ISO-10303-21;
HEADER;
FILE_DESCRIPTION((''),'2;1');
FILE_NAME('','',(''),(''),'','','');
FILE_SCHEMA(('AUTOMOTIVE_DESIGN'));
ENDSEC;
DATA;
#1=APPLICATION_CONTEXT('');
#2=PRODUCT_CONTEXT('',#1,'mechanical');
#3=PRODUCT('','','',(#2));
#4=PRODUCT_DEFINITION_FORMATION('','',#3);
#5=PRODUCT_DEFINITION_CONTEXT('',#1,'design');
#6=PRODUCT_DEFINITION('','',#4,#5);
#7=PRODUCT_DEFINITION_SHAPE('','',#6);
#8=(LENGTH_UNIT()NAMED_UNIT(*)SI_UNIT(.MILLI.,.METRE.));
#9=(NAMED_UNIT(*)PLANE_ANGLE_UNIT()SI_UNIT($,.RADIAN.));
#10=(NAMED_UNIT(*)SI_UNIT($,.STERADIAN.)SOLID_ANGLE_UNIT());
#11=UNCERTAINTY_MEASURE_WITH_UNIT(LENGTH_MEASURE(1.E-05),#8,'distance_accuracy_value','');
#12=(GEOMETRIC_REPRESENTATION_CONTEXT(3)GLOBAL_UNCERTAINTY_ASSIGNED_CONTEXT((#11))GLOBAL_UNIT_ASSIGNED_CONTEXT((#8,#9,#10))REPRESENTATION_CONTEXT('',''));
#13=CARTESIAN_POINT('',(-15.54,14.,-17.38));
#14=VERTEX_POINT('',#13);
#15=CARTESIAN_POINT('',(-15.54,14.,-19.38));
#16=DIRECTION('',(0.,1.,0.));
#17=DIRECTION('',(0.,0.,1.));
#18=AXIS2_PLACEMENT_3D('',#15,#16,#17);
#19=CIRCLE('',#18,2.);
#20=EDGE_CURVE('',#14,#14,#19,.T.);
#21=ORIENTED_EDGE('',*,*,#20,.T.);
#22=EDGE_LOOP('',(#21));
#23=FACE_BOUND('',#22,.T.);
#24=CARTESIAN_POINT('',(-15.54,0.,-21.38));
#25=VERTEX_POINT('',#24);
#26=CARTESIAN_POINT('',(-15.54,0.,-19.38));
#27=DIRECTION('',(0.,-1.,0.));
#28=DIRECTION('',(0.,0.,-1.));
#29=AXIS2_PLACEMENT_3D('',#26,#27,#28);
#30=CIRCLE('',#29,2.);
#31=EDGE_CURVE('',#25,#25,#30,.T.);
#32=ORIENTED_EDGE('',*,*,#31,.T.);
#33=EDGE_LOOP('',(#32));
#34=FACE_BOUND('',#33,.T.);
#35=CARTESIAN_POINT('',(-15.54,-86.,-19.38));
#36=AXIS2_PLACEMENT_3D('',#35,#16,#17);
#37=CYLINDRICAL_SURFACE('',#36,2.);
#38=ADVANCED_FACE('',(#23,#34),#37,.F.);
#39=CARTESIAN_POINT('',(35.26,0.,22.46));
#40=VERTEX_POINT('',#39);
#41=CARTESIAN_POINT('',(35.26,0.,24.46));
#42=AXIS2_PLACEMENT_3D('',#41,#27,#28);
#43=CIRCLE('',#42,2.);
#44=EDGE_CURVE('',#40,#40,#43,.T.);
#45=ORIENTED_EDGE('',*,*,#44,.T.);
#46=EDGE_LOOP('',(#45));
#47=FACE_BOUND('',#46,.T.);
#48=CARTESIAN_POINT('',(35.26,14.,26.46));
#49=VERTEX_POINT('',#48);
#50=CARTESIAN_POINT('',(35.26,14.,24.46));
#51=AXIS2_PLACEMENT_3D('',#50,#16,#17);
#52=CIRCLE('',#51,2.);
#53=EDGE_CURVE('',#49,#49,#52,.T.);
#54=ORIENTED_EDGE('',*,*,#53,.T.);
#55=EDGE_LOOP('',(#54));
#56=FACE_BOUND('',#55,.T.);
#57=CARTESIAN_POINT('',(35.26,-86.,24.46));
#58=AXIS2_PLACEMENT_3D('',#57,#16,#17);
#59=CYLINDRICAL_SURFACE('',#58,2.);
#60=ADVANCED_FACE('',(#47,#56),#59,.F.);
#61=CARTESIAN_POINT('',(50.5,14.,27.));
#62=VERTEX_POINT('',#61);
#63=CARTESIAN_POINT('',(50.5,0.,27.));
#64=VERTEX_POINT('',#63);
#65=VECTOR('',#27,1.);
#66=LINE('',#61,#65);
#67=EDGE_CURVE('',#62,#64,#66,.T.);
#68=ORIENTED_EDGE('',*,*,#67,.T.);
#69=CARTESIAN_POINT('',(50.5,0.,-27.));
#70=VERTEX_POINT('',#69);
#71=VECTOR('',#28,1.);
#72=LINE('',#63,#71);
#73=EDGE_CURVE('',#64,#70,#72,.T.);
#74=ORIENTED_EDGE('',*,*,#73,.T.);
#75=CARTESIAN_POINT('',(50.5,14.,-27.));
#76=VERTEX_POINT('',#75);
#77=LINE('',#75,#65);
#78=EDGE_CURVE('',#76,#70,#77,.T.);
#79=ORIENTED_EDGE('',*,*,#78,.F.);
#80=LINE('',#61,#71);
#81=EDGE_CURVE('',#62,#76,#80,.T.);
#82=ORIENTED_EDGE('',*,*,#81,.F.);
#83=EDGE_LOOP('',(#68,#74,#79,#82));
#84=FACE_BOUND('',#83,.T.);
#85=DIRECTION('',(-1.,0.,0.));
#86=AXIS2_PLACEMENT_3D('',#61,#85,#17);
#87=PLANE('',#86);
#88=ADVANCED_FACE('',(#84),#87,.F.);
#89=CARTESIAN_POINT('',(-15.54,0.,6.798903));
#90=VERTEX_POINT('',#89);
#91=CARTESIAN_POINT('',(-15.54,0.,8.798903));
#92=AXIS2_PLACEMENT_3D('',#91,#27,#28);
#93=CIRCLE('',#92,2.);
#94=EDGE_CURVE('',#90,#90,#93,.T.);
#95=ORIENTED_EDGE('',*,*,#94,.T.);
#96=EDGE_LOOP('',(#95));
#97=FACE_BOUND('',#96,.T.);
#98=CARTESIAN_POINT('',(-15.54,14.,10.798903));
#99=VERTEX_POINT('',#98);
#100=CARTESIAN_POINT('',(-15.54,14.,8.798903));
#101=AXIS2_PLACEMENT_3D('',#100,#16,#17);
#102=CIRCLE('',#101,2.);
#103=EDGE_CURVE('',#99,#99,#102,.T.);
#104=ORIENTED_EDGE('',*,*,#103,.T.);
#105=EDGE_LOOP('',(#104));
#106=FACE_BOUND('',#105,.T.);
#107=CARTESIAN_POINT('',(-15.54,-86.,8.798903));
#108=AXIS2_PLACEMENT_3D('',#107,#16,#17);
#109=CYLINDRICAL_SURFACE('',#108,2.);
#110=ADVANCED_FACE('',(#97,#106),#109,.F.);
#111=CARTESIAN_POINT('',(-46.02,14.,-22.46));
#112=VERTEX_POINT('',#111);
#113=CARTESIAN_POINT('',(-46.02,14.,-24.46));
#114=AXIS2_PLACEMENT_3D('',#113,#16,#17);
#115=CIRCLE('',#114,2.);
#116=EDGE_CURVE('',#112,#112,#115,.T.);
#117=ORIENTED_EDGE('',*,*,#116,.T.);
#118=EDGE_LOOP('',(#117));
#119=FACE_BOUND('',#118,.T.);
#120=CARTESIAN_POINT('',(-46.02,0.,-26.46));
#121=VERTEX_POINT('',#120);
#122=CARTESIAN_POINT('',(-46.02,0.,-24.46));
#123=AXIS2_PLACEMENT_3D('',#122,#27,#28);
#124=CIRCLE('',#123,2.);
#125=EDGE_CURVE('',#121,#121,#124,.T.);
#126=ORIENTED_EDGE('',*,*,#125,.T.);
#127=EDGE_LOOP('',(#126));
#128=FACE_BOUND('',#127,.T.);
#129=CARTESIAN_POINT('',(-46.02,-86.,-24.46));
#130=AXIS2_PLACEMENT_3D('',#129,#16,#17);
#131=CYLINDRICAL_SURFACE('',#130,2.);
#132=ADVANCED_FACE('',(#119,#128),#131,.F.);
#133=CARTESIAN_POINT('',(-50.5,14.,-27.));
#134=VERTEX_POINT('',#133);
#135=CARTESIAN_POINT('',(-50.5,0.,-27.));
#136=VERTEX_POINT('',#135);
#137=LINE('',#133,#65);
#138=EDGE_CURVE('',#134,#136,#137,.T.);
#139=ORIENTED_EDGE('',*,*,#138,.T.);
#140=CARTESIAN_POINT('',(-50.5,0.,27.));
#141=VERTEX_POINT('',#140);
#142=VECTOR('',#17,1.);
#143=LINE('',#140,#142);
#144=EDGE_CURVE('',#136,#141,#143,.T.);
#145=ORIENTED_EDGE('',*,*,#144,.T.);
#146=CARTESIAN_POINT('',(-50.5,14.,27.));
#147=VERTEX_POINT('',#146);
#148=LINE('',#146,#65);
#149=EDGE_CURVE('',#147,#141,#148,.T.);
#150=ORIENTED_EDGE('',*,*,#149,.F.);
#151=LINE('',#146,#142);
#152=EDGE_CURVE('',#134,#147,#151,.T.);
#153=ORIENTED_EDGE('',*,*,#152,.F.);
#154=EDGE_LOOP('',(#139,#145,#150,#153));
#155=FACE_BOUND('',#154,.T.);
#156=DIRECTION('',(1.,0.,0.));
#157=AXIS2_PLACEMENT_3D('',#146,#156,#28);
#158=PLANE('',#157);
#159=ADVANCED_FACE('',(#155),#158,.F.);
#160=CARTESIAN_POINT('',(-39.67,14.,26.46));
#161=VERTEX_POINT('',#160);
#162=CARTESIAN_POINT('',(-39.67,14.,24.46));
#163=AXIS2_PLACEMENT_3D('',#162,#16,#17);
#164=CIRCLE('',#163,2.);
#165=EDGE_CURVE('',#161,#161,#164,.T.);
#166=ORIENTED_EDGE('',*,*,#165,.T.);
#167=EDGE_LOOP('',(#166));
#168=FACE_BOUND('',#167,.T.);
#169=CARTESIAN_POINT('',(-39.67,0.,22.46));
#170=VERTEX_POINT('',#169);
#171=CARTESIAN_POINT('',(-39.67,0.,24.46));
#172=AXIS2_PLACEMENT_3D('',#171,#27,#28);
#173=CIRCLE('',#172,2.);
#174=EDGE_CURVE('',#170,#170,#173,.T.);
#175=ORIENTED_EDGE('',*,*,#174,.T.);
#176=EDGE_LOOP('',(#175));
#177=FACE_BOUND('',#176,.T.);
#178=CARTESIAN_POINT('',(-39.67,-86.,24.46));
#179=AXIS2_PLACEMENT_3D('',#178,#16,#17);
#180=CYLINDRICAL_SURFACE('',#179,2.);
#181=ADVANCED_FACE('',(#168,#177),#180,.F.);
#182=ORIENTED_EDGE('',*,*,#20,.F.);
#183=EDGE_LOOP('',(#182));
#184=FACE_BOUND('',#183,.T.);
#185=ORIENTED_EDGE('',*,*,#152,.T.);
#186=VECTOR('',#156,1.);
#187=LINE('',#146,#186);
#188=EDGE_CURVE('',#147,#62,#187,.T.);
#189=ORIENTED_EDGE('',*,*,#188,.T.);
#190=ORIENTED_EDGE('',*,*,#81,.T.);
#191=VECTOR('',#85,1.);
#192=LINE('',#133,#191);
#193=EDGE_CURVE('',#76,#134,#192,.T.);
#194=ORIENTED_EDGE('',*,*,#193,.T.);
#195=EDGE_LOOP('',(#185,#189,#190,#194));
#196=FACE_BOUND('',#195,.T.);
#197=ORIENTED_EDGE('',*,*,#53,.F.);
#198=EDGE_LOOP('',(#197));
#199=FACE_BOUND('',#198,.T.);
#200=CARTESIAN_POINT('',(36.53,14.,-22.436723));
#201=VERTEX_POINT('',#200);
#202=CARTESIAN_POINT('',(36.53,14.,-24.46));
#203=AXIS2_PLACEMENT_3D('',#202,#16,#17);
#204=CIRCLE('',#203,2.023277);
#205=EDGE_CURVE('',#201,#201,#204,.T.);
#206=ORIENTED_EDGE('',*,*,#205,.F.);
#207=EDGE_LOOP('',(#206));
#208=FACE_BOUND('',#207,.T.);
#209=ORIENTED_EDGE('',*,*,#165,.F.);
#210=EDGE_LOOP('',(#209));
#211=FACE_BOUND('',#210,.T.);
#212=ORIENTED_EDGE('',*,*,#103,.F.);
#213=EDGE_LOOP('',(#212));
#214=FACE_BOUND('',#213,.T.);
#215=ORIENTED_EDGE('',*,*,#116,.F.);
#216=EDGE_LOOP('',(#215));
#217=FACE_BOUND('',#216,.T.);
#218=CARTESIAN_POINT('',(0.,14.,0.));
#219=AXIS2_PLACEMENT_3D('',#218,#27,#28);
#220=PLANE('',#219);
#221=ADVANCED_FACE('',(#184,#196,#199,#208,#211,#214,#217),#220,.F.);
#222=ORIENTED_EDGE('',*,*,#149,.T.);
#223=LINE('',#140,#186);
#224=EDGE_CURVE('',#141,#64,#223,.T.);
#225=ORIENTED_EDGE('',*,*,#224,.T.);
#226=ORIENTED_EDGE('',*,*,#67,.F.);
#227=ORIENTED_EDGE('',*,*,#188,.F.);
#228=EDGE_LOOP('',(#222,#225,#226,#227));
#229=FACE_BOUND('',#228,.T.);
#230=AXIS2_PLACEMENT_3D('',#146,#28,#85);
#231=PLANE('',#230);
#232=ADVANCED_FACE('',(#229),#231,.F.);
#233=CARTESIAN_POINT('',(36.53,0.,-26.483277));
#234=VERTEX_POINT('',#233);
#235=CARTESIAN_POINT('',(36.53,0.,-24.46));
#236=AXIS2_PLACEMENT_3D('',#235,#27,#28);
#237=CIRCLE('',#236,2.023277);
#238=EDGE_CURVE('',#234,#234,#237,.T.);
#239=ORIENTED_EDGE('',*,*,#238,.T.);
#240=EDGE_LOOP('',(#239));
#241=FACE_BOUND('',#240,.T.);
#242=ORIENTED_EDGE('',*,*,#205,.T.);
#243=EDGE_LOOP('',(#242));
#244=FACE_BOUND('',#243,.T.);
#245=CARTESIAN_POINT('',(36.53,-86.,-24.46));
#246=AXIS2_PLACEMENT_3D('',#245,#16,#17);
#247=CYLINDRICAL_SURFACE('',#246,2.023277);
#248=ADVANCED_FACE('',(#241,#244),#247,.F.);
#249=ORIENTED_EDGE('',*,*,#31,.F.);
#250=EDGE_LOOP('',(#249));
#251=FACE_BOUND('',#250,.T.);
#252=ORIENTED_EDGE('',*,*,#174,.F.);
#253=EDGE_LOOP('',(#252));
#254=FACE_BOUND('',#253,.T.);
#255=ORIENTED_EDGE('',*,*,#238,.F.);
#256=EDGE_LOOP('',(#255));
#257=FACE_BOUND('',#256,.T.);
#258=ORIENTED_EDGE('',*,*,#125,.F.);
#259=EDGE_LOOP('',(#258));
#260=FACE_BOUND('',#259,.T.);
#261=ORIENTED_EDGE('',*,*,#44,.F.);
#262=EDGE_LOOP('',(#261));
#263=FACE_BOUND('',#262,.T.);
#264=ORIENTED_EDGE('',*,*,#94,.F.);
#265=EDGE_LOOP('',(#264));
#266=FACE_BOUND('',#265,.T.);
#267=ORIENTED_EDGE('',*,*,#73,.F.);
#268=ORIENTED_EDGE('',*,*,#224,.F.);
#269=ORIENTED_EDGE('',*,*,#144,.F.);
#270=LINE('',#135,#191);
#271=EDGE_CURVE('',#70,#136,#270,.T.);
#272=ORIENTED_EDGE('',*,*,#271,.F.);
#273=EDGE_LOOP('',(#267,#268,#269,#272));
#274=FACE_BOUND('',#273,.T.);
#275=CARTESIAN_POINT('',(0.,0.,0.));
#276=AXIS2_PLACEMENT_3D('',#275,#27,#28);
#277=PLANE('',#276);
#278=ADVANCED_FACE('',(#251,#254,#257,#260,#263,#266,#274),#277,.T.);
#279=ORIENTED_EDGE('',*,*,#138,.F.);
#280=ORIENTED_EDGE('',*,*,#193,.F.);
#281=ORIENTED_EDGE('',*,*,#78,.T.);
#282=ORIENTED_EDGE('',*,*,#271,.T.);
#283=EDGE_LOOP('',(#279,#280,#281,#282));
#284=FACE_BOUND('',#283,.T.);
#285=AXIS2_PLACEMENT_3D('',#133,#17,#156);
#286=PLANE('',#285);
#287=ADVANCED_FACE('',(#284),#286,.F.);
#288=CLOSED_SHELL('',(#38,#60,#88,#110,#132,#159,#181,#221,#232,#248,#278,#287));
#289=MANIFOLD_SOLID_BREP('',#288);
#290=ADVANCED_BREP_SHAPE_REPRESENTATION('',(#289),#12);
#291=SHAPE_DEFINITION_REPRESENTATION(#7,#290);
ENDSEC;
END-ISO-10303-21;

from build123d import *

# Parameters (mm, degrees)
SKETCH1_W           = 101
SKETCH1_H           = 54
BOSS_EXTRUDE1_DEPTH = 14
SKETCH2_R           = 2
SKETCH2_R_2         = 2.023276888
CUT_EXTRUDE1_DEPTH  = 100


with BuildPart() as part:
    # Sketch1 → Boss-Extrude1 (new body)
    with BuildSketch(Plane(origin=(0, 0, 0), x_dir=(1, 0, 0), z_dir=(0, 1, 0))):
        Rectangle(SKETCH1_W, SKETCH1_H)
    extrude(amount=BOSS_EXTRUDE1_DEPTH)

    # Sketch2 → Cut-Extrude1 (cut)
    with BuildSketch(Plane(origin=(0, 14, 0), x_dir=(1, 0, 0), z_dir=(0, 1, 0))):
        with Locations((-46.02, 24.46)):
            Circle(SKETCH2_R)
        with Locations((-39.67, -24.46)):
            Circle(SKETCH2_R)
        with Locations((36.53, 24.46)):
            Circle(SKETCH2_R_2)
        with Locations((35.26, -24.46)):
            Circle(SKETCH2_R)
        with Locations((-15.54, 19.38)):
            Circle(SKETCH2_R)
        with Locations((-15.54, -8.798902871)):
            Circle(SKETCH2_R)
    extrude(amount=-CUT_EXTRUDE1_DEPTH, mode=Mode.SUBTRACT)


solid = part.part
